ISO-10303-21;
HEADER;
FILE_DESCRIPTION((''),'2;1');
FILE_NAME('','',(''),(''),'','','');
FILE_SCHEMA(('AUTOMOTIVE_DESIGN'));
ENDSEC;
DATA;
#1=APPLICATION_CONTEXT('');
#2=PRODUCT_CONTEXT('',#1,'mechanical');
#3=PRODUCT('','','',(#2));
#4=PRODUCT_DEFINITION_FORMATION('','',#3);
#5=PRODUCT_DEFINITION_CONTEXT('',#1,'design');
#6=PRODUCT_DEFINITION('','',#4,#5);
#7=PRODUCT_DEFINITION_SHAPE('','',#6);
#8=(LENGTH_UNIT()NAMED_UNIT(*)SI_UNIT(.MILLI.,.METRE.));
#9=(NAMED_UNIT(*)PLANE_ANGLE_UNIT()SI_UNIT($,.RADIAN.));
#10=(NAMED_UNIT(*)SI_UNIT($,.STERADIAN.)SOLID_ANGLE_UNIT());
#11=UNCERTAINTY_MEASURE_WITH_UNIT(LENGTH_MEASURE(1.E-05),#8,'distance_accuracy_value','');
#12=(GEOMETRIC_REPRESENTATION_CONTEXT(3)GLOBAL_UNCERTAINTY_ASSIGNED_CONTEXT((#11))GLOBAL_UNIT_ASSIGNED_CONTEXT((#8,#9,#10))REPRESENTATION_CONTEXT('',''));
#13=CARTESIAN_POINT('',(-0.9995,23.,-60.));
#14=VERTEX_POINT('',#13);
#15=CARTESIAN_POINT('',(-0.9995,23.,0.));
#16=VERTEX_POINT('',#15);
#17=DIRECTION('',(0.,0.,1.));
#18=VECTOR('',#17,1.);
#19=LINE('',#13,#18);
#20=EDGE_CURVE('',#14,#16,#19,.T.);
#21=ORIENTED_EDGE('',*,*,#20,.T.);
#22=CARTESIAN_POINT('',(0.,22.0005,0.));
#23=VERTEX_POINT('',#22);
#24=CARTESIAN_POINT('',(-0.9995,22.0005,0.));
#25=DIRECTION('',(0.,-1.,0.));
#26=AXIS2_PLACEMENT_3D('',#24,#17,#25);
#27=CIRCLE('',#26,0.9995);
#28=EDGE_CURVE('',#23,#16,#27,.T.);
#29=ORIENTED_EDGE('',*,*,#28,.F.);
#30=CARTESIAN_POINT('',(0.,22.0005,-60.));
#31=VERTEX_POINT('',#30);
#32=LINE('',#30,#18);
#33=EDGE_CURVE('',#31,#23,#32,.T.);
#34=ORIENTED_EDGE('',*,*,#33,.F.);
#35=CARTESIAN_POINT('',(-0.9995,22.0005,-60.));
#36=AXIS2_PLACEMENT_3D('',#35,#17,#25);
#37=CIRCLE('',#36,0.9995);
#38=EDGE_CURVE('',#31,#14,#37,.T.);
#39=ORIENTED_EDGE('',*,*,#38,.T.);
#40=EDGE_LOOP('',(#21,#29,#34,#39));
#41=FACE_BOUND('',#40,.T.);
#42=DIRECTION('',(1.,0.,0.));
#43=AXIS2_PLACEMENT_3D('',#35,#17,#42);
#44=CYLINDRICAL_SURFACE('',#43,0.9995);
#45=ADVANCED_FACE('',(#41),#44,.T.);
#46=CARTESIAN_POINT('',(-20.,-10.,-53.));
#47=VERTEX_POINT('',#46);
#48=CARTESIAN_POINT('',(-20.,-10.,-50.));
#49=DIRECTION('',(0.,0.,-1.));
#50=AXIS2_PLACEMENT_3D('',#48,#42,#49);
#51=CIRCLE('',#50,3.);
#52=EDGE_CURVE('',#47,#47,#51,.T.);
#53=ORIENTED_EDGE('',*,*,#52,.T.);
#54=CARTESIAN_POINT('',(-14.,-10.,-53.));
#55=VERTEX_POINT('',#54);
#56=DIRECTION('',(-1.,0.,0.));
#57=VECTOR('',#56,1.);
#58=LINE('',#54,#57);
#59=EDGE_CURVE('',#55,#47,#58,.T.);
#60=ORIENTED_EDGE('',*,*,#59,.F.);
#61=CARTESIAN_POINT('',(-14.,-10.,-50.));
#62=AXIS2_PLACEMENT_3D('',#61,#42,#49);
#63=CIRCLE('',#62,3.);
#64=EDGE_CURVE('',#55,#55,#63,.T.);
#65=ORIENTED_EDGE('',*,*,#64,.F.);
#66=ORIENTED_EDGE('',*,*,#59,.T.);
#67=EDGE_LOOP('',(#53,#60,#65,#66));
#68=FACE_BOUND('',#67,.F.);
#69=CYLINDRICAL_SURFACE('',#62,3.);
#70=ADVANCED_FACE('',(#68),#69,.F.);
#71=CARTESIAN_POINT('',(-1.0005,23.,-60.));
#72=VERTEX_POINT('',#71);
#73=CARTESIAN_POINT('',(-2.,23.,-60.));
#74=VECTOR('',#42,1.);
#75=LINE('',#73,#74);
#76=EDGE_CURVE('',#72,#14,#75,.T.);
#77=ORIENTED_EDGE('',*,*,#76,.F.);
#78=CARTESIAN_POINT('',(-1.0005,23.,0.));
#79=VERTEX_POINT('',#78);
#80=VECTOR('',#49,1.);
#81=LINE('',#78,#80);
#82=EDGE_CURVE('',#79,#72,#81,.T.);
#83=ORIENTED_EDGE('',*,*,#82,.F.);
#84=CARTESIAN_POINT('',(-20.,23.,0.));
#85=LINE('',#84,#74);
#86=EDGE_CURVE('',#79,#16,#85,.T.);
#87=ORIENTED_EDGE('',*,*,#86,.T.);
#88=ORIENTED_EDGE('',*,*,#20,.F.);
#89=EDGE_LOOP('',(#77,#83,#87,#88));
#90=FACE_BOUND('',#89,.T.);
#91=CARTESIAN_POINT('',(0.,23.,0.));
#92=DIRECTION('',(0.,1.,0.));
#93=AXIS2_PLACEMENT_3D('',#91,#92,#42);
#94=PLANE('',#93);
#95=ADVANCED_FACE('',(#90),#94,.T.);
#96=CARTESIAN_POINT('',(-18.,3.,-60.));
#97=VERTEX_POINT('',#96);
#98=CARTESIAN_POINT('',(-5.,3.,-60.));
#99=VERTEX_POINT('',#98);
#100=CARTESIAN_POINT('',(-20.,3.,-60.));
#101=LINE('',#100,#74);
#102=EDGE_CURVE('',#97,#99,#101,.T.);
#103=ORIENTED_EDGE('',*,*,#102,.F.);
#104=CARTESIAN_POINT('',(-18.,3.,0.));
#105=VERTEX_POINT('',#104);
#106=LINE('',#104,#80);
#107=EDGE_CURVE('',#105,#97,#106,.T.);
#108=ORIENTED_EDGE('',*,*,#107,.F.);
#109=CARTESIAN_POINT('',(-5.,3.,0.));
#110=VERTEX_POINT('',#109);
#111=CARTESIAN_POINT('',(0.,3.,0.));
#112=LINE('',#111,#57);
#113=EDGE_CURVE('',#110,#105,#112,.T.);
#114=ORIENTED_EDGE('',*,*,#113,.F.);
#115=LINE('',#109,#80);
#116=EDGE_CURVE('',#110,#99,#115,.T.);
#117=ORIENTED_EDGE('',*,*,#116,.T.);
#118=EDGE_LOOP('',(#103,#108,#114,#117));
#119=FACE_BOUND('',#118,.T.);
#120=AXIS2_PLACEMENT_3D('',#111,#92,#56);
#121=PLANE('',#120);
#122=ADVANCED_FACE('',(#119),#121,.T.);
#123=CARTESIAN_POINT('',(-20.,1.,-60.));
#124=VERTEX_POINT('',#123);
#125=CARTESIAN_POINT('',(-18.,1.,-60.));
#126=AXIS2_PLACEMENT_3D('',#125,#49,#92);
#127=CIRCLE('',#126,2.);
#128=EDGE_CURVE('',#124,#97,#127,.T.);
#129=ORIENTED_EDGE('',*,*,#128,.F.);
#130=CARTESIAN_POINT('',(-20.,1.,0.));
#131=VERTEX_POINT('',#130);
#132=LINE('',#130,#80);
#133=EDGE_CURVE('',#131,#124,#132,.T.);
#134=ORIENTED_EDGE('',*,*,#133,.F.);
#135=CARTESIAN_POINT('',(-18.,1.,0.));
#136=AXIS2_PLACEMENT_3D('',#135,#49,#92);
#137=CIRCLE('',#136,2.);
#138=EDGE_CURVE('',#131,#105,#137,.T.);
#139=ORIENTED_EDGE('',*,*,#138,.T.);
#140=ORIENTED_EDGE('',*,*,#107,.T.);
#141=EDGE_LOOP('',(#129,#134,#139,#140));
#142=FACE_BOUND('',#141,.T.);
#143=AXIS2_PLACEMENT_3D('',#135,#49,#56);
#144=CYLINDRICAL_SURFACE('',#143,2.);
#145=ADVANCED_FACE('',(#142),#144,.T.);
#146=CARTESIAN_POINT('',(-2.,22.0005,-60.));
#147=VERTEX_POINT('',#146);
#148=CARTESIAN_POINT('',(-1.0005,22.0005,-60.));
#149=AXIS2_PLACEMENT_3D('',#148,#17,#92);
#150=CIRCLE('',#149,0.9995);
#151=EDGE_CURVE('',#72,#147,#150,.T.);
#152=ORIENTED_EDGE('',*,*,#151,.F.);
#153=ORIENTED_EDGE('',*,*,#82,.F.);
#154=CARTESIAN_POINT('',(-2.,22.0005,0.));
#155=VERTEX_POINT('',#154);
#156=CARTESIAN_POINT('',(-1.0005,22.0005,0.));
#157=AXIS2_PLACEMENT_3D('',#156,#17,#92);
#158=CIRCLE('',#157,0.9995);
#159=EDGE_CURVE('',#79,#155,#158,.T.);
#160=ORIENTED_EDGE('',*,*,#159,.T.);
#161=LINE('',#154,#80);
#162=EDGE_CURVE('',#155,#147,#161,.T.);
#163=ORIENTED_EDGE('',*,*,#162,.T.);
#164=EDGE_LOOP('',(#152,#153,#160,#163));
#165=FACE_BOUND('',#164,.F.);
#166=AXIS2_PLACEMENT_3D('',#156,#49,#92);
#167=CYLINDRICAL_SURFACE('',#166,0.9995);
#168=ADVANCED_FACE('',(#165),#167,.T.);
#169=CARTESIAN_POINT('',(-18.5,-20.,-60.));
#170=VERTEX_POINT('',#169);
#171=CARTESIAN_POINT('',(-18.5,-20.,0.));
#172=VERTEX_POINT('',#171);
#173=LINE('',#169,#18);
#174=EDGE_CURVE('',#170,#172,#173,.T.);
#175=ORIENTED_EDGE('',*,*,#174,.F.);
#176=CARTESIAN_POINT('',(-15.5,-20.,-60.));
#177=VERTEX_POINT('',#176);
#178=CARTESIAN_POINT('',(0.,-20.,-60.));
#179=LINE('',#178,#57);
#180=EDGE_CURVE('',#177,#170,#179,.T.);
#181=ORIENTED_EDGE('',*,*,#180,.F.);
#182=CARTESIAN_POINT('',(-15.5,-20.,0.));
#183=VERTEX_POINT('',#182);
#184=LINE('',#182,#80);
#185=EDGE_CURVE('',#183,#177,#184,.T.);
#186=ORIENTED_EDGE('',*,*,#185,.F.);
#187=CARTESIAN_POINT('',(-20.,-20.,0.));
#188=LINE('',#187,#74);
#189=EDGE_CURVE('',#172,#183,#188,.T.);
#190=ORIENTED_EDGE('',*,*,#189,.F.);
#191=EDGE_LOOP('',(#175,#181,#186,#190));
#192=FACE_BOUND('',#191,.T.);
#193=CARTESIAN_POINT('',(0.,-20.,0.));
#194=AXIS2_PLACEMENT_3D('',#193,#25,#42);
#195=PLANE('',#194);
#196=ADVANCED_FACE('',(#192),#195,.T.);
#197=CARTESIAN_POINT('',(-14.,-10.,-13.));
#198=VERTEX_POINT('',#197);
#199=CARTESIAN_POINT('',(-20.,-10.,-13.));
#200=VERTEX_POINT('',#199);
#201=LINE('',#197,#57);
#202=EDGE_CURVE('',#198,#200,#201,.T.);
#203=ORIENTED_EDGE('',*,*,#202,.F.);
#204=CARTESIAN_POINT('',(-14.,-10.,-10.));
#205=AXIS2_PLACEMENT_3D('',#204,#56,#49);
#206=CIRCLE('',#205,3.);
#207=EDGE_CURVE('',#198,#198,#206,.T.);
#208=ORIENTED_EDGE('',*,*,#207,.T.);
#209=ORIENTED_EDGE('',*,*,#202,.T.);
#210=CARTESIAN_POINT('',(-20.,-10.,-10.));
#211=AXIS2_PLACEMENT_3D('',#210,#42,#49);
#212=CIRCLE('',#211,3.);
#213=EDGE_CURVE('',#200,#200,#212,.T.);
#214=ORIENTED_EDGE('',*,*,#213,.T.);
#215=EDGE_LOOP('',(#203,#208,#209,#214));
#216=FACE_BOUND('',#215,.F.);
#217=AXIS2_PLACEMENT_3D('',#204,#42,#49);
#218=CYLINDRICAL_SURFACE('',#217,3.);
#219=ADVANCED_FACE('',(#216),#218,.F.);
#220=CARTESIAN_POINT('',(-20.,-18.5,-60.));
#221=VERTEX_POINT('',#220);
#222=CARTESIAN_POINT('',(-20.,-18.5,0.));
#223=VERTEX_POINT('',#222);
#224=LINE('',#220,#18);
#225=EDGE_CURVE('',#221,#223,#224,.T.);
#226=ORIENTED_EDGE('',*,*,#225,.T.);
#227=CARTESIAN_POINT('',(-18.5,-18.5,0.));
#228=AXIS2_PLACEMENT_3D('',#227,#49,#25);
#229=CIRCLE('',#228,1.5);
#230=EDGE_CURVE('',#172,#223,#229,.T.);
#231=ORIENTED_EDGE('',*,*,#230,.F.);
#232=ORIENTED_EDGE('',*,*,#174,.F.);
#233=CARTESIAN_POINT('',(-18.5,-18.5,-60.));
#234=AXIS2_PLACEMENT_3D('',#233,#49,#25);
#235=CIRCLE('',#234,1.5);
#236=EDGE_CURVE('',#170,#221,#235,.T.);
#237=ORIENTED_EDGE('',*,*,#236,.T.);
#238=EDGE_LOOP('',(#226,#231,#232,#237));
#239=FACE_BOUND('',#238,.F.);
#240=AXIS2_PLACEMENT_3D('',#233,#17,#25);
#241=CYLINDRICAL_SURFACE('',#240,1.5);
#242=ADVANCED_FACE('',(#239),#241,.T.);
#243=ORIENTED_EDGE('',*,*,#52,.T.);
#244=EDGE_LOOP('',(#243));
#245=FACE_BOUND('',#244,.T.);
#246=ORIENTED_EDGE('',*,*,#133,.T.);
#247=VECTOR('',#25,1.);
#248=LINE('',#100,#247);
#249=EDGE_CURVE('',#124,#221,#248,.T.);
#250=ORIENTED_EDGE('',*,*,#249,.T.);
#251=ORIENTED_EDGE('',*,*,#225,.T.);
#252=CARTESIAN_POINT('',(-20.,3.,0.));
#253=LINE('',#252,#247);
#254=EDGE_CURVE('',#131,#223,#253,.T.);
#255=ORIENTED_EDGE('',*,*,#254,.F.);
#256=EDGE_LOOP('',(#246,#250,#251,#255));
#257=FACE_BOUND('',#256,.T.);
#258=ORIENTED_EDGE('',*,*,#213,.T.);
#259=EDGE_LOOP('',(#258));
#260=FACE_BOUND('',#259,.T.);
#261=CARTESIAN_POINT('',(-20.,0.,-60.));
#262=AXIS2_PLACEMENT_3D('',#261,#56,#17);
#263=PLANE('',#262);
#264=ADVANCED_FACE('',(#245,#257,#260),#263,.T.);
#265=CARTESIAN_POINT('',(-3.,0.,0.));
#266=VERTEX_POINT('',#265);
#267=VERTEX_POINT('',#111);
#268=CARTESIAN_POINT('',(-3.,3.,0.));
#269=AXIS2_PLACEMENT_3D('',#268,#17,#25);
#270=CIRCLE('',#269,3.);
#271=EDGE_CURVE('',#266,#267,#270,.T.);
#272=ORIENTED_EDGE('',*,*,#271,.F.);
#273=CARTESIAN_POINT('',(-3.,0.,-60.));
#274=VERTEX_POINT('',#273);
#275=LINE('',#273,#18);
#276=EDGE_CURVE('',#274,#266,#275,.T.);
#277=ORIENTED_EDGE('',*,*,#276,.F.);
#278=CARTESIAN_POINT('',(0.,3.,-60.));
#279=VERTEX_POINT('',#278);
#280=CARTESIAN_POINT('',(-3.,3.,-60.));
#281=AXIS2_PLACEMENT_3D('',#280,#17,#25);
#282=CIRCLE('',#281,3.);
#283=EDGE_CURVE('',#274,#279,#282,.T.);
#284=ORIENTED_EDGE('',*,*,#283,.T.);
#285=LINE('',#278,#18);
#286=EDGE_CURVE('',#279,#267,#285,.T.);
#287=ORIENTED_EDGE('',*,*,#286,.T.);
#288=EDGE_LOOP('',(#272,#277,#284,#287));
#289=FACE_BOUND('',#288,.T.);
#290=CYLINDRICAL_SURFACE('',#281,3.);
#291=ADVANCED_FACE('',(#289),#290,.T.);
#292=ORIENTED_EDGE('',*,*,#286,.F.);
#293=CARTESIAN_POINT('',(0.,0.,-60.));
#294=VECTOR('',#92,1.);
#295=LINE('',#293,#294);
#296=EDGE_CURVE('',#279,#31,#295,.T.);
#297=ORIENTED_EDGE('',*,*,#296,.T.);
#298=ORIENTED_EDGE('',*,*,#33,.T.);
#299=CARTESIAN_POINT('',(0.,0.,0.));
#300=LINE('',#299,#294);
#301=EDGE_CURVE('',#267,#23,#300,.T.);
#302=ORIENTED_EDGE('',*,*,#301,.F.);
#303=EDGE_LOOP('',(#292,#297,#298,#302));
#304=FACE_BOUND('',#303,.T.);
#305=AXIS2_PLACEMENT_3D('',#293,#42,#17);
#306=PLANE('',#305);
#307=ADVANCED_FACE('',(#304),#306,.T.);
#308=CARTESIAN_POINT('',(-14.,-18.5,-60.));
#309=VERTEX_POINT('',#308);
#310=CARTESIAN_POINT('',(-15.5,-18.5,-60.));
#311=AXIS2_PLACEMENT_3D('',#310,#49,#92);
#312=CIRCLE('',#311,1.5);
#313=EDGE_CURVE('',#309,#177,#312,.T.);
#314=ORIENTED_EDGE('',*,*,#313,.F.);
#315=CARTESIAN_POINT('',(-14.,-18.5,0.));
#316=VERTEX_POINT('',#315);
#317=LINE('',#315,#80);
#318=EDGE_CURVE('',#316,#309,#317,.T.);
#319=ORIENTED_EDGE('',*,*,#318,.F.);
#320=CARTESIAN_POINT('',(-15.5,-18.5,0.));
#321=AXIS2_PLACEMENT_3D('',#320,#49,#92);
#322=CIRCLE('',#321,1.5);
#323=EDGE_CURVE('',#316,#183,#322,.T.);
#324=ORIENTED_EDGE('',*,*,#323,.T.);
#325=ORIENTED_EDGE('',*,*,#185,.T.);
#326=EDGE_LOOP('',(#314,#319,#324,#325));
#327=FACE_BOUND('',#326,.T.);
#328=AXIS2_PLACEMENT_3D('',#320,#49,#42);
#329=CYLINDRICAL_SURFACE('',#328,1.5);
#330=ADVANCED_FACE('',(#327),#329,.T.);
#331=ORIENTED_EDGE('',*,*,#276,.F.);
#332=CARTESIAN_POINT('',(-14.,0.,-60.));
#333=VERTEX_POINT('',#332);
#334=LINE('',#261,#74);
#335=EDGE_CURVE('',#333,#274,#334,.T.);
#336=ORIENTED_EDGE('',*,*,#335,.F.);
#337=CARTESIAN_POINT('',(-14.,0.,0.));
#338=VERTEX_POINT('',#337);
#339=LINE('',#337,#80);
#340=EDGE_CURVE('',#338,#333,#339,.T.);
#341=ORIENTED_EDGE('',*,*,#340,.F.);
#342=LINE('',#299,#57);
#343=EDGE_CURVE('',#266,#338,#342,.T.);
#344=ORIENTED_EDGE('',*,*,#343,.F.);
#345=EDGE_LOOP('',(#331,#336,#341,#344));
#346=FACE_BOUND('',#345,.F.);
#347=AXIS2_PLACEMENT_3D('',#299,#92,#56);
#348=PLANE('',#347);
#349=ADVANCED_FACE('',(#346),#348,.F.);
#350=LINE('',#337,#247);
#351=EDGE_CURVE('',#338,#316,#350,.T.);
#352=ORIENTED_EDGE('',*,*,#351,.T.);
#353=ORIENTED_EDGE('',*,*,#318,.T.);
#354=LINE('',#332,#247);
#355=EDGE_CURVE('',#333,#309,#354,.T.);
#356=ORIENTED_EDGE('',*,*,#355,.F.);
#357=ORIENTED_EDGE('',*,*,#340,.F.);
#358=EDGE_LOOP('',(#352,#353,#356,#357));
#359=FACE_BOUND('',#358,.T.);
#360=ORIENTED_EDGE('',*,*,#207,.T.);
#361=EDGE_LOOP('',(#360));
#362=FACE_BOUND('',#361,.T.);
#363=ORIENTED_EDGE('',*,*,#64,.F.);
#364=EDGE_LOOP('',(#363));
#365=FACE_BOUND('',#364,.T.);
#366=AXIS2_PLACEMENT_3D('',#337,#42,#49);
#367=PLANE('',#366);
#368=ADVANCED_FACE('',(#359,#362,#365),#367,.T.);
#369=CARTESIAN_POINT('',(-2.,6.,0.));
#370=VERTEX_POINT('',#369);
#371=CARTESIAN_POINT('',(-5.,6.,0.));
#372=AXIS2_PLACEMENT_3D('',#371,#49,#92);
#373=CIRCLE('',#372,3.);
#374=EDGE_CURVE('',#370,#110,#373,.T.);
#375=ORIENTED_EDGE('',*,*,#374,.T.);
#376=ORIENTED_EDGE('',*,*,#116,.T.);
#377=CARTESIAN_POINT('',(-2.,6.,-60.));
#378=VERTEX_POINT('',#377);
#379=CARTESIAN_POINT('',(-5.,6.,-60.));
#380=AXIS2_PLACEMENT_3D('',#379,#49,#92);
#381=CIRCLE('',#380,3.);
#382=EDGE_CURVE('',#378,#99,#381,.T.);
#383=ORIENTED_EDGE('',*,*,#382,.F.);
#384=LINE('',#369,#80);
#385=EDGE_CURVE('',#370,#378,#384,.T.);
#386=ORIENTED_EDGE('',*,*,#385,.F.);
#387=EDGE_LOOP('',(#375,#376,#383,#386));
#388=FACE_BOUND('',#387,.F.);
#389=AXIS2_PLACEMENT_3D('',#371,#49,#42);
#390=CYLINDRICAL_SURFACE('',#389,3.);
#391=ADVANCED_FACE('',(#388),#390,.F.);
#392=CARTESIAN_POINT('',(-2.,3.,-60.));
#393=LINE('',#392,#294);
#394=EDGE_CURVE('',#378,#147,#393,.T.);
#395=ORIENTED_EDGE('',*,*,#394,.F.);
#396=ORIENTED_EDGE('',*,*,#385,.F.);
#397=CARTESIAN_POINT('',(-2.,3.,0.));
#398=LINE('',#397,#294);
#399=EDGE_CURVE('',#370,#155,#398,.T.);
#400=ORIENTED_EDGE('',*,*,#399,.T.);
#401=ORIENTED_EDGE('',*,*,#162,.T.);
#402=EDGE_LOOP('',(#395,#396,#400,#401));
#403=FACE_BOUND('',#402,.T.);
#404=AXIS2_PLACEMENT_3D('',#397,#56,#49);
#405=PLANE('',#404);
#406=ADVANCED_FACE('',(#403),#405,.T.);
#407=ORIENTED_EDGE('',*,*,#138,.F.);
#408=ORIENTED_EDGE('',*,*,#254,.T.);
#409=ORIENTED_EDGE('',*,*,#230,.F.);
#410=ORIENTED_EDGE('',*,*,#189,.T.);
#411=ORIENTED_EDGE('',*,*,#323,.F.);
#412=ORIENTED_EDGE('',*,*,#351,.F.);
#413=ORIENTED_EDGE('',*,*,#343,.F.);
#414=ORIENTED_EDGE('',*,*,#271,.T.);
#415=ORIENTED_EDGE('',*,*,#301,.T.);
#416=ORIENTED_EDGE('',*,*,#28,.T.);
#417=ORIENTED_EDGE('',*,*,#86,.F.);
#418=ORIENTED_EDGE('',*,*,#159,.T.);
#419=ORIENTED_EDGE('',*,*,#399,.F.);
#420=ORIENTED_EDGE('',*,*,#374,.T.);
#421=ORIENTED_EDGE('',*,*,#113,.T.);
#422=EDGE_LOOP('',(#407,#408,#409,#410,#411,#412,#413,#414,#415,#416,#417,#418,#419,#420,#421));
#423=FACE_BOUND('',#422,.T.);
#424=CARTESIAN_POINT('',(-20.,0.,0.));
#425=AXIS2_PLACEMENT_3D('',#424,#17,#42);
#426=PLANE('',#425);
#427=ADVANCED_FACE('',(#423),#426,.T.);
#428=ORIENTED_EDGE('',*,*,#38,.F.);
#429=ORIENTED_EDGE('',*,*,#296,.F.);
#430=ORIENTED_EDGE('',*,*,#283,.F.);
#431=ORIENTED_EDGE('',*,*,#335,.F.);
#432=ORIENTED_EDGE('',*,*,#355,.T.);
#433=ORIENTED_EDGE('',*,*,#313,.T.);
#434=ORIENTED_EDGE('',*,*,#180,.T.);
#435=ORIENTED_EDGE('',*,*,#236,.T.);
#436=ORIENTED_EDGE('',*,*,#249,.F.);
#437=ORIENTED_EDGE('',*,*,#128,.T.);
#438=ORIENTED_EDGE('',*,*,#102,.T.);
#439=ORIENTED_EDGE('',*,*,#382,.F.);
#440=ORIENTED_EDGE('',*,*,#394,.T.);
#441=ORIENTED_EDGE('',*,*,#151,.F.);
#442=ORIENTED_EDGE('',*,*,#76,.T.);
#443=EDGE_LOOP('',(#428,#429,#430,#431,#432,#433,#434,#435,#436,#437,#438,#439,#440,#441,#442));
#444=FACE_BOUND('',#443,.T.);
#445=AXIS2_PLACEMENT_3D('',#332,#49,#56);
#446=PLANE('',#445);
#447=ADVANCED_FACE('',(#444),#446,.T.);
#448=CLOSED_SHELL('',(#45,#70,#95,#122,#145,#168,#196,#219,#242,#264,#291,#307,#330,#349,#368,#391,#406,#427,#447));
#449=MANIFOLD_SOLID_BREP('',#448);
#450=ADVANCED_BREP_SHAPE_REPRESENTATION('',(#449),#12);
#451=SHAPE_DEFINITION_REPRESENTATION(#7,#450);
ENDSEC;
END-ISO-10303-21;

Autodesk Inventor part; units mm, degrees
ref_plane "YZ Plane" through (0, 0, 0) normal (1, 0, 0) x (0, 1, 0)
ref_plane "XZ Plane" through (0, 0, 0) normal (0, 1, 0) x (-1, 0, 0)
ref_plane "XY Plane" through (0, 0, 0) normal (0, 0, 1) x (1, 0, 0)
sketch "Sketch1" plane through (0, 0, 0) normal (0, 1, 0) x (-1, 0, 0)
  line L0 (0, 0) -> (20, 0)
  line L1 (20, 0) -> (20, -60)
  line L2 (20, -60) -> (0, -60)
  line L3 (0, -60) -> (0, 0)
  dimension "d0" = 20
  dimension "d1" = 60
extrude "Extrusion1" add sketch "Sketch1" along normal blind 3
sketch "Sketch2" plane through (0, 3, 0) normal (0, 1, 0) x (1, 0, 0)
  line L0 (-20, 0) -> (0, 0) projected
  line L1 (0, 0) -> (-2, 0)
  line L2 (-2, 0) -> (-2, 60)
  line L3 (-2, 60) -> (0, 60)
  line L4 (0, 60) -> (0, 0)
  dimension "d4" = 2
  dimension "d5" = 60
extrude "Extrusion2" add sketch "Sketch2" along normal blind 20
sketch "Sketch3" plane through (0, 0, 0) normal (0, -1, 0) x (1, 0, 0)
  line L0 (-20, 0) -> (0, 0) projected
  line L1 (0, -60) -> (-20, -60) projected
  line L2 (-20, 0) -> (-14, 0)
  line L3 (-14, 0) -> (-14, -60)
  line L4 (-14, -60) -> (-20, -60)
  line L5 (-20, -60) -> (-20, 0)
  point P0 (-14, 0)
  dimension "d8" = 6
extrude "Extrusion3" add sketch "Sketch3" along normal blind 20
sketch "Sketch4" plane through (-14, 0, 0) normal (1, 0, 0) x (0, 0, -1)
  line L0 (0, -20) -> (0, 0) projected
  line L1 (0, -10) -> (10, -10)
  line L2 (60, 0) -> (60, -20) projected
  circle A0 centre (10, -10) radius 3
  line L3 (60, -20) -> (0, -20) projected
  line L4 (0, -20) -> (60, -20)
  circle A1 centre (50, -10) radius 3
  point P0 (0, 3)
  point P1 (-60, -3)
  dimension "d11" = 10
  dimension "d12" = 6
  dimension "d15" = 40
extrude "Extrusion4" cut sketch "Sketch4" against normal through all
fillet "Fillet3" radius 3 2 edges at (-2, 3, -30) (0, 0, -30)
fillet "Fillet4" radius 1 2 edges at (0, 23, -30) (-2, 23, -30)
fillet "Fillet6" radius 1.5 2 edges at (-20, -20, -30) (-14, -20, -30)
fillet "Fillet10" radius 2 1 edges at (-20, 3, -30)
properties part number "CableChain_Holder"
